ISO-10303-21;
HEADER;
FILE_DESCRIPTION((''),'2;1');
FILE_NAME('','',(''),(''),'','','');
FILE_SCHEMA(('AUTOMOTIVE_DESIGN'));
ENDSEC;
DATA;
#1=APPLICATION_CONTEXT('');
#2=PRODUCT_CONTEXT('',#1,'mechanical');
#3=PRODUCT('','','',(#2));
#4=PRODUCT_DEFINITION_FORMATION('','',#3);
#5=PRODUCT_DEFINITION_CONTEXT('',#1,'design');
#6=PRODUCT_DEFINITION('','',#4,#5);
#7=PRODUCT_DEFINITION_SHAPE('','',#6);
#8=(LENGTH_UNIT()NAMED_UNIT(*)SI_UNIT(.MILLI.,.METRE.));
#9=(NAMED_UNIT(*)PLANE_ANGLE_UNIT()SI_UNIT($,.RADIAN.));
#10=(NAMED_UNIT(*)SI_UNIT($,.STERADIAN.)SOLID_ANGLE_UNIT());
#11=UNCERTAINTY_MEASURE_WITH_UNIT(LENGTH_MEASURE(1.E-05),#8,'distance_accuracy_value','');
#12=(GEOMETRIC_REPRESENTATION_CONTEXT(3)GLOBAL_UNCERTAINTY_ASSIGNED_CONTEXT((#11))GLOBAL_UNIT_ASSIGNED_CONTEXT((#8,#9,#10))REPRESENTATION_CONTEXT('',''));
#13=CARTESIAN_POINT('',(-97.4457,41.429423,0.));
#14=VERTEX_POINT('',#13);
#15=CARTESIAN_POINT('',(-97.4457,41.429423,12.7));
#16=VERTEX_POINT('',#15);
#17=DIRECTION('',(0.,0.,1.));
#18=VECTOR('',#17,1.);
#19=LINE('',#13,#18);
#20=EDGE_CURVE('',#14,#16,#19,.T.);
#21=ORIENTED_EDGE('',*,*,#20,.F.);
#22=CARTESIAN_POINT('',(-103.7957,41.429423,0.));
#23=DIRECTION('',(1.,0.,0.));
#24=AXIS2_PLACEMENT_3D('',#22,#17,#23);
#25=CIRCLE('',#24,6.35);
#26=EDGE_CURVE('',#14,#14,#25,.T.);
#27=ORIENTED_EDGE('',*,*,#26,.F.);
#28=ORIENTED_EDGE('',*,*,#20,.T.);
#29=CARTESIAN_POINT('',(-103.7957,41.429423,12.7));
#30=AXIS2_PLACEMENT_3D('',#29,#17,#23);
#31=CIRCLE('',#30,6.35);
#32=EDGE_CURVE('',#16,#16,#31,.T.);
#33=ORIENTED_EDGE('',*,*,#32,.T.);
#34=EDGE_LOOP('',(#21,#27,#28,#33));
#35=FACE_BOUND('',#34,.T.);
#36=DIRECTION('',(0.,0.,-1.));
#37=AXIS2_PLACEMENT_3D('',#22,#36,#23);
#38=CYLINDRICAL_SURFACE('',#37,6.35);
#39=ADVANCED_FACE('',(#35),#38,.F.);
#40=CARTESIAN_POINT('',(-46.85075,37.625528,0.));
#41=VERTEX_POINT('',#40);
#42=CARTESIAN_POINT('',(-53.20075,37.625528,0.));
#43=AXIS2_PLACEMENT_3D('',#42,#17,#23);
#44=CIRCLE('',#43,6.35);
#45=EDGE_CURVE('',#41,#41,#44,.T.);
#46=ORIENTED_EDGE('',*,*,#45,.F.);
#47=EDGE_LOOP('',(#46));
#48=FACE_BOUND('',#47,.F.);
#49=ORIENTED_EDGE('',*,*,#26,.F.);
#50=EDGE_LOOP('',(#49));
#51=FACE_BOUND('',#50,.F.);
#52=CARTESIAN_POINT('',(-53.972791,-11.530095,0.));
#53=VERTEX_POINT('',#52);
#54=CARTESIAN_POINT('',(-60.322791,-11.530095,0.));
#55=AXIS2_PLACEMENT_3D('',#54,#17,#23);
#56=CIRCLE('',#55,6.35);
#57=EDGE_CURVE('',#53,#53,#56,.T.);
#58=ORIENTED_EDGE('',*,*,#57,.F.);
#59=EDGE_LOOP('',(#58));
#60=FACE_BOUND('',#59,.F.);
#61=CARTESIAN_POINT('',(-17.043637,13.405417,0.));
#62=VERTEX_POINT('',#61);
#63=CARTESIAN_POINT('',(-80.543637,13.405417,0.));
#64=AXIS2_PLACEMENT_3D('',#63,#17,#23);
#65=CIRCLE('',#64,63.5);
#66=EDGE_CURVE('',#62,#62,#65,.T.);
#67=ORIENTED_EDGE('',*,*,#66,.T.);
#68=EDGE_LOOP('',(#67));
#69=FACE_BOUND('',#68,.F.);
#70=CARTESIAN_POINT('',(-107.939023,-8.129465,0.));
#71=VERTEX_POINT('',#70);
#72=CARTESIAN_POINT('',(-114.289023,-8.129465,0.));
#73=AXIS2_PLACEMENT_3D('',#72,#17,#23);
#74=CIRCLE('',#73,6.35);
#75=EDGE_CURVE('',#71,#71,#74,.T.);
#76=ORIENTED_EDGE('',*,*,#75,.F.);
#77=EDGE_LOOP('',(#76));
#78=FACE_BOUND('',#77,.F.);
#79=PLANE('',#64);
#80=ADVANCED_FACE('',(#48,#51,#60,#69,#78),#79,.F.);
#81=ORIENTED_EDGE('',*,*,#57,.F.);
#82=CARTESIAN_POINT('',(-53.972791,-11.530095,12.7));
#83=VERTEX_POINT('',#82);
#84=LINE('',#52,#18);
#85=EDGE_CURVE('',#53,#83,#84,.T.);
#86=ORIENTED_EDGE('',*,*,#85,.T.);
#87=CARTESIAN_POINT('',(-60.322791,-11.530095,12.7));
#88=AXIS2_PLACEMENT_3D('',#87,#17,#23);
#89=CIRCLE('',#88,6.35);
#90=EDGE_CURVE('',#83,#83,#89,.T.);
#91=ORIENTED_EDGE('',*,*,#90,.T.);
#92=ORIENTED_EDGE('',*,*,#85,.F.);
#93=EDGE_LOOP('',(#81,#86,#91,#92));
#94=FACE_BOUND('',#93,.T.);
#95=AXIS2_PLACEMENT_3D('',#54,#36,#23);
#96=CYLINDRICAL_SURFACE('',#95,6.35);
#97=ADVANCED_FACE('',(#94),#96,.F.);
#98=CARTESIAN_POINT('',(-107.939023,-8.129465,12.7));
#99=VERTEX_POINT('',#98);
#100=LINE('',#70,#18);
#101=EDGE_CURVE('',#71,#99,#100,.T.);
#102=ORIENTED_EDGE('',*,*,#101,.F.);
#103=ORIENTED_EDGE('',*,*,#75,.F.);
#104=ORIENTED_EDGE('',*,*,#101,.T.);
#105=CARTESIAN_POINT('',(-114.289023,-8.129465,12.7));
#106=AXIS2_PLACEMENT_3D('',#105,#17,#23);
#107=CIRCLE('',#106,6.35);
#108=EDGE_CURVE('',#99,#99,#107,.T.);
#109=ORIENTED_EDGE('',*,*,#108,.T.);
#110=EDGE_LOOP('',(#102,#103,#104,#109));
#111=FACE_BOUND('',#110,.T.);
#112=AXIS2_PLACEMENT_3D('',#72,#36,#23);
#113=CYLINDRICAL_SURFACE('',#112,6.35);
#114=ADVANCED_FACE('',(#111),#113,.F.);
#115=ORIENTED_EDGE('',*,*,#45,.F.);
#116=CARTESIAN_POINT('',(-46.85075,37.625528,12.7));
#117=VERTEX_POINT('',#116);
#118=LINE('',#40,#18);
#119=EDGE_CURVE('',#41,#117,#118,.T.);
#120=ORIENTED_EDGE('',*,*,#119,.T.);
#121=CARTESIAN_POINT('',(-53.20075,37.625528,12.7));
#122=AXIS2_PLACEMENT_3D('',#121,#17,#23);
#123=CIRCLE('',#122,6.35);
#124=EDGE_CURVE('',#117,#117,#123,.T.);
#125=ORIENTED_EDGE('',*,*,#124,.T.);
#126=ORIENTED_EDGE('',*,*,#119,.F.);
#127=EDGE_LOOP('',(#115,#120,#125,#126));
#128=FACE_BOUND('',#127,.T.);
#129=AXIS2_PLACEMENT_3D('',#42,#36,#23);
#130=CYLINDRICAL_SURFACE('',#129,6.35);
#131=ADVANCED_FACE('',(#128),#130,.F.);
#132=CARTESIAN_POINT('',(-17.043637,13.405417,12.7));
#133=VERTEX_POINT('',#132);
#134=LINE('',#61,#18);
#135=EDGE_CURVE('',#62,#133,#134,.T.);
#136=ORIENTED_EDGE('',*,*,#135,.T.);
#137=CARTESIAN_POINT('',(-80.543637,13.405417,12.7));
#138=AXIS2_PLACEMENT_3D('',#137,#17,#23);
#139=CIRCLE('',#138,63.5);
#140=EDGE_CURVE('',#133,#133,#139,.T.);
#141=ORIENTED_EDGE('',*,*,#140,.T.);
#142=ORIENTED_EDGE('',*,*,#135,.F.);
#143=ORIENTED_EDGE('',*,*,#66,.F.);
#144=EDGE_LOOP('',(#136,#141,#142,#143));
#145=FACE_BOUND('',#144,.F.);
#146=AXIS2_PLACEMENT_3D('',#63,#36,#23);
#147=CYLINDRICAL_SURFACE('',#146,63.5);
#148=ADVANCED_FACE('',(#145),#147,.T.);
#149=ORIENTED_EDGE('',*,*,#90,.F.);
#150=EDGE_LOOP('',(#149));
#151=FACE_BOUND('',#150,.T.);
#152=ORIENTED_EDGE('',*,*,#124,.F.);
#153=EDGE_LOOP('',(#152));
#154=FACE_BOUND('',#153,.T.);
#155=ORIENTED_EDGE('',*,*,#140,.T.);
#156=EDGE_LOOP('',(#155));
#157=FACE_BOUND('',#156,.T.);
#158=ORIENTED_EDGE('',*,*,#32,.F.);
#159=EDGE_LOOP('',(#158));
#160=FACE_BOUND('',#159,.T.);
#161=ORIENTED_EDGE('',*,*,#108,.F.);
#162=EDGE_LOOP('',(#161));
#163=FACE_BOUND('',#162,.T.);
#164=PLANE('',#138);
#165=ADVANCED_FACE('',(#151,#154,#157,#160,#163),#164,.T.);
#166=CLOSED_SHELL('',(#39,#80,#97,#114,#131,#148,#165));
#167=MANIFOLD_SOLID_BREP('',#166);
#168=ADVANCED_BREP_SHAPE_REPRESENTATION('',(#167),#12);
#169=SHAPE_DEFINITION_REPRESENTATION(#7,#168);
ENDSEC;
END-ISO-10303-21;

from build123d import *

# Parameters (mm, degrees)
F0_R     = 63.5
F0_R_2   = 6.35
F1_DEPTH = 12.7


with BuildPart() as f1:
    # F0 (on Top) → F1 (new body)
    with BuildSketch(Plane.XY):
        with Locations((-80.543637, 13.405417)):
            Circle(F0_R)
        with Locations((-114.289023, -8.129465)):
            Circle(F0_R_2, mode=Mode.SUBTRACT)
        with Locations((-60.322791, -11.530095)):
            Circle(F0_R_2, mode=Mode.SUBTRACT)
        with Locations((-103.7957, 41.429423)):
            Circle(F0_R_2, mode=Mode.SUBTRACT)
        with Locations((-53.20075, 37.625528)):
            Circle(F0_R_2, mode=Mode.SUBTRACT)
    extrude(amount=F1_DEPTH)


solid = f1.part
